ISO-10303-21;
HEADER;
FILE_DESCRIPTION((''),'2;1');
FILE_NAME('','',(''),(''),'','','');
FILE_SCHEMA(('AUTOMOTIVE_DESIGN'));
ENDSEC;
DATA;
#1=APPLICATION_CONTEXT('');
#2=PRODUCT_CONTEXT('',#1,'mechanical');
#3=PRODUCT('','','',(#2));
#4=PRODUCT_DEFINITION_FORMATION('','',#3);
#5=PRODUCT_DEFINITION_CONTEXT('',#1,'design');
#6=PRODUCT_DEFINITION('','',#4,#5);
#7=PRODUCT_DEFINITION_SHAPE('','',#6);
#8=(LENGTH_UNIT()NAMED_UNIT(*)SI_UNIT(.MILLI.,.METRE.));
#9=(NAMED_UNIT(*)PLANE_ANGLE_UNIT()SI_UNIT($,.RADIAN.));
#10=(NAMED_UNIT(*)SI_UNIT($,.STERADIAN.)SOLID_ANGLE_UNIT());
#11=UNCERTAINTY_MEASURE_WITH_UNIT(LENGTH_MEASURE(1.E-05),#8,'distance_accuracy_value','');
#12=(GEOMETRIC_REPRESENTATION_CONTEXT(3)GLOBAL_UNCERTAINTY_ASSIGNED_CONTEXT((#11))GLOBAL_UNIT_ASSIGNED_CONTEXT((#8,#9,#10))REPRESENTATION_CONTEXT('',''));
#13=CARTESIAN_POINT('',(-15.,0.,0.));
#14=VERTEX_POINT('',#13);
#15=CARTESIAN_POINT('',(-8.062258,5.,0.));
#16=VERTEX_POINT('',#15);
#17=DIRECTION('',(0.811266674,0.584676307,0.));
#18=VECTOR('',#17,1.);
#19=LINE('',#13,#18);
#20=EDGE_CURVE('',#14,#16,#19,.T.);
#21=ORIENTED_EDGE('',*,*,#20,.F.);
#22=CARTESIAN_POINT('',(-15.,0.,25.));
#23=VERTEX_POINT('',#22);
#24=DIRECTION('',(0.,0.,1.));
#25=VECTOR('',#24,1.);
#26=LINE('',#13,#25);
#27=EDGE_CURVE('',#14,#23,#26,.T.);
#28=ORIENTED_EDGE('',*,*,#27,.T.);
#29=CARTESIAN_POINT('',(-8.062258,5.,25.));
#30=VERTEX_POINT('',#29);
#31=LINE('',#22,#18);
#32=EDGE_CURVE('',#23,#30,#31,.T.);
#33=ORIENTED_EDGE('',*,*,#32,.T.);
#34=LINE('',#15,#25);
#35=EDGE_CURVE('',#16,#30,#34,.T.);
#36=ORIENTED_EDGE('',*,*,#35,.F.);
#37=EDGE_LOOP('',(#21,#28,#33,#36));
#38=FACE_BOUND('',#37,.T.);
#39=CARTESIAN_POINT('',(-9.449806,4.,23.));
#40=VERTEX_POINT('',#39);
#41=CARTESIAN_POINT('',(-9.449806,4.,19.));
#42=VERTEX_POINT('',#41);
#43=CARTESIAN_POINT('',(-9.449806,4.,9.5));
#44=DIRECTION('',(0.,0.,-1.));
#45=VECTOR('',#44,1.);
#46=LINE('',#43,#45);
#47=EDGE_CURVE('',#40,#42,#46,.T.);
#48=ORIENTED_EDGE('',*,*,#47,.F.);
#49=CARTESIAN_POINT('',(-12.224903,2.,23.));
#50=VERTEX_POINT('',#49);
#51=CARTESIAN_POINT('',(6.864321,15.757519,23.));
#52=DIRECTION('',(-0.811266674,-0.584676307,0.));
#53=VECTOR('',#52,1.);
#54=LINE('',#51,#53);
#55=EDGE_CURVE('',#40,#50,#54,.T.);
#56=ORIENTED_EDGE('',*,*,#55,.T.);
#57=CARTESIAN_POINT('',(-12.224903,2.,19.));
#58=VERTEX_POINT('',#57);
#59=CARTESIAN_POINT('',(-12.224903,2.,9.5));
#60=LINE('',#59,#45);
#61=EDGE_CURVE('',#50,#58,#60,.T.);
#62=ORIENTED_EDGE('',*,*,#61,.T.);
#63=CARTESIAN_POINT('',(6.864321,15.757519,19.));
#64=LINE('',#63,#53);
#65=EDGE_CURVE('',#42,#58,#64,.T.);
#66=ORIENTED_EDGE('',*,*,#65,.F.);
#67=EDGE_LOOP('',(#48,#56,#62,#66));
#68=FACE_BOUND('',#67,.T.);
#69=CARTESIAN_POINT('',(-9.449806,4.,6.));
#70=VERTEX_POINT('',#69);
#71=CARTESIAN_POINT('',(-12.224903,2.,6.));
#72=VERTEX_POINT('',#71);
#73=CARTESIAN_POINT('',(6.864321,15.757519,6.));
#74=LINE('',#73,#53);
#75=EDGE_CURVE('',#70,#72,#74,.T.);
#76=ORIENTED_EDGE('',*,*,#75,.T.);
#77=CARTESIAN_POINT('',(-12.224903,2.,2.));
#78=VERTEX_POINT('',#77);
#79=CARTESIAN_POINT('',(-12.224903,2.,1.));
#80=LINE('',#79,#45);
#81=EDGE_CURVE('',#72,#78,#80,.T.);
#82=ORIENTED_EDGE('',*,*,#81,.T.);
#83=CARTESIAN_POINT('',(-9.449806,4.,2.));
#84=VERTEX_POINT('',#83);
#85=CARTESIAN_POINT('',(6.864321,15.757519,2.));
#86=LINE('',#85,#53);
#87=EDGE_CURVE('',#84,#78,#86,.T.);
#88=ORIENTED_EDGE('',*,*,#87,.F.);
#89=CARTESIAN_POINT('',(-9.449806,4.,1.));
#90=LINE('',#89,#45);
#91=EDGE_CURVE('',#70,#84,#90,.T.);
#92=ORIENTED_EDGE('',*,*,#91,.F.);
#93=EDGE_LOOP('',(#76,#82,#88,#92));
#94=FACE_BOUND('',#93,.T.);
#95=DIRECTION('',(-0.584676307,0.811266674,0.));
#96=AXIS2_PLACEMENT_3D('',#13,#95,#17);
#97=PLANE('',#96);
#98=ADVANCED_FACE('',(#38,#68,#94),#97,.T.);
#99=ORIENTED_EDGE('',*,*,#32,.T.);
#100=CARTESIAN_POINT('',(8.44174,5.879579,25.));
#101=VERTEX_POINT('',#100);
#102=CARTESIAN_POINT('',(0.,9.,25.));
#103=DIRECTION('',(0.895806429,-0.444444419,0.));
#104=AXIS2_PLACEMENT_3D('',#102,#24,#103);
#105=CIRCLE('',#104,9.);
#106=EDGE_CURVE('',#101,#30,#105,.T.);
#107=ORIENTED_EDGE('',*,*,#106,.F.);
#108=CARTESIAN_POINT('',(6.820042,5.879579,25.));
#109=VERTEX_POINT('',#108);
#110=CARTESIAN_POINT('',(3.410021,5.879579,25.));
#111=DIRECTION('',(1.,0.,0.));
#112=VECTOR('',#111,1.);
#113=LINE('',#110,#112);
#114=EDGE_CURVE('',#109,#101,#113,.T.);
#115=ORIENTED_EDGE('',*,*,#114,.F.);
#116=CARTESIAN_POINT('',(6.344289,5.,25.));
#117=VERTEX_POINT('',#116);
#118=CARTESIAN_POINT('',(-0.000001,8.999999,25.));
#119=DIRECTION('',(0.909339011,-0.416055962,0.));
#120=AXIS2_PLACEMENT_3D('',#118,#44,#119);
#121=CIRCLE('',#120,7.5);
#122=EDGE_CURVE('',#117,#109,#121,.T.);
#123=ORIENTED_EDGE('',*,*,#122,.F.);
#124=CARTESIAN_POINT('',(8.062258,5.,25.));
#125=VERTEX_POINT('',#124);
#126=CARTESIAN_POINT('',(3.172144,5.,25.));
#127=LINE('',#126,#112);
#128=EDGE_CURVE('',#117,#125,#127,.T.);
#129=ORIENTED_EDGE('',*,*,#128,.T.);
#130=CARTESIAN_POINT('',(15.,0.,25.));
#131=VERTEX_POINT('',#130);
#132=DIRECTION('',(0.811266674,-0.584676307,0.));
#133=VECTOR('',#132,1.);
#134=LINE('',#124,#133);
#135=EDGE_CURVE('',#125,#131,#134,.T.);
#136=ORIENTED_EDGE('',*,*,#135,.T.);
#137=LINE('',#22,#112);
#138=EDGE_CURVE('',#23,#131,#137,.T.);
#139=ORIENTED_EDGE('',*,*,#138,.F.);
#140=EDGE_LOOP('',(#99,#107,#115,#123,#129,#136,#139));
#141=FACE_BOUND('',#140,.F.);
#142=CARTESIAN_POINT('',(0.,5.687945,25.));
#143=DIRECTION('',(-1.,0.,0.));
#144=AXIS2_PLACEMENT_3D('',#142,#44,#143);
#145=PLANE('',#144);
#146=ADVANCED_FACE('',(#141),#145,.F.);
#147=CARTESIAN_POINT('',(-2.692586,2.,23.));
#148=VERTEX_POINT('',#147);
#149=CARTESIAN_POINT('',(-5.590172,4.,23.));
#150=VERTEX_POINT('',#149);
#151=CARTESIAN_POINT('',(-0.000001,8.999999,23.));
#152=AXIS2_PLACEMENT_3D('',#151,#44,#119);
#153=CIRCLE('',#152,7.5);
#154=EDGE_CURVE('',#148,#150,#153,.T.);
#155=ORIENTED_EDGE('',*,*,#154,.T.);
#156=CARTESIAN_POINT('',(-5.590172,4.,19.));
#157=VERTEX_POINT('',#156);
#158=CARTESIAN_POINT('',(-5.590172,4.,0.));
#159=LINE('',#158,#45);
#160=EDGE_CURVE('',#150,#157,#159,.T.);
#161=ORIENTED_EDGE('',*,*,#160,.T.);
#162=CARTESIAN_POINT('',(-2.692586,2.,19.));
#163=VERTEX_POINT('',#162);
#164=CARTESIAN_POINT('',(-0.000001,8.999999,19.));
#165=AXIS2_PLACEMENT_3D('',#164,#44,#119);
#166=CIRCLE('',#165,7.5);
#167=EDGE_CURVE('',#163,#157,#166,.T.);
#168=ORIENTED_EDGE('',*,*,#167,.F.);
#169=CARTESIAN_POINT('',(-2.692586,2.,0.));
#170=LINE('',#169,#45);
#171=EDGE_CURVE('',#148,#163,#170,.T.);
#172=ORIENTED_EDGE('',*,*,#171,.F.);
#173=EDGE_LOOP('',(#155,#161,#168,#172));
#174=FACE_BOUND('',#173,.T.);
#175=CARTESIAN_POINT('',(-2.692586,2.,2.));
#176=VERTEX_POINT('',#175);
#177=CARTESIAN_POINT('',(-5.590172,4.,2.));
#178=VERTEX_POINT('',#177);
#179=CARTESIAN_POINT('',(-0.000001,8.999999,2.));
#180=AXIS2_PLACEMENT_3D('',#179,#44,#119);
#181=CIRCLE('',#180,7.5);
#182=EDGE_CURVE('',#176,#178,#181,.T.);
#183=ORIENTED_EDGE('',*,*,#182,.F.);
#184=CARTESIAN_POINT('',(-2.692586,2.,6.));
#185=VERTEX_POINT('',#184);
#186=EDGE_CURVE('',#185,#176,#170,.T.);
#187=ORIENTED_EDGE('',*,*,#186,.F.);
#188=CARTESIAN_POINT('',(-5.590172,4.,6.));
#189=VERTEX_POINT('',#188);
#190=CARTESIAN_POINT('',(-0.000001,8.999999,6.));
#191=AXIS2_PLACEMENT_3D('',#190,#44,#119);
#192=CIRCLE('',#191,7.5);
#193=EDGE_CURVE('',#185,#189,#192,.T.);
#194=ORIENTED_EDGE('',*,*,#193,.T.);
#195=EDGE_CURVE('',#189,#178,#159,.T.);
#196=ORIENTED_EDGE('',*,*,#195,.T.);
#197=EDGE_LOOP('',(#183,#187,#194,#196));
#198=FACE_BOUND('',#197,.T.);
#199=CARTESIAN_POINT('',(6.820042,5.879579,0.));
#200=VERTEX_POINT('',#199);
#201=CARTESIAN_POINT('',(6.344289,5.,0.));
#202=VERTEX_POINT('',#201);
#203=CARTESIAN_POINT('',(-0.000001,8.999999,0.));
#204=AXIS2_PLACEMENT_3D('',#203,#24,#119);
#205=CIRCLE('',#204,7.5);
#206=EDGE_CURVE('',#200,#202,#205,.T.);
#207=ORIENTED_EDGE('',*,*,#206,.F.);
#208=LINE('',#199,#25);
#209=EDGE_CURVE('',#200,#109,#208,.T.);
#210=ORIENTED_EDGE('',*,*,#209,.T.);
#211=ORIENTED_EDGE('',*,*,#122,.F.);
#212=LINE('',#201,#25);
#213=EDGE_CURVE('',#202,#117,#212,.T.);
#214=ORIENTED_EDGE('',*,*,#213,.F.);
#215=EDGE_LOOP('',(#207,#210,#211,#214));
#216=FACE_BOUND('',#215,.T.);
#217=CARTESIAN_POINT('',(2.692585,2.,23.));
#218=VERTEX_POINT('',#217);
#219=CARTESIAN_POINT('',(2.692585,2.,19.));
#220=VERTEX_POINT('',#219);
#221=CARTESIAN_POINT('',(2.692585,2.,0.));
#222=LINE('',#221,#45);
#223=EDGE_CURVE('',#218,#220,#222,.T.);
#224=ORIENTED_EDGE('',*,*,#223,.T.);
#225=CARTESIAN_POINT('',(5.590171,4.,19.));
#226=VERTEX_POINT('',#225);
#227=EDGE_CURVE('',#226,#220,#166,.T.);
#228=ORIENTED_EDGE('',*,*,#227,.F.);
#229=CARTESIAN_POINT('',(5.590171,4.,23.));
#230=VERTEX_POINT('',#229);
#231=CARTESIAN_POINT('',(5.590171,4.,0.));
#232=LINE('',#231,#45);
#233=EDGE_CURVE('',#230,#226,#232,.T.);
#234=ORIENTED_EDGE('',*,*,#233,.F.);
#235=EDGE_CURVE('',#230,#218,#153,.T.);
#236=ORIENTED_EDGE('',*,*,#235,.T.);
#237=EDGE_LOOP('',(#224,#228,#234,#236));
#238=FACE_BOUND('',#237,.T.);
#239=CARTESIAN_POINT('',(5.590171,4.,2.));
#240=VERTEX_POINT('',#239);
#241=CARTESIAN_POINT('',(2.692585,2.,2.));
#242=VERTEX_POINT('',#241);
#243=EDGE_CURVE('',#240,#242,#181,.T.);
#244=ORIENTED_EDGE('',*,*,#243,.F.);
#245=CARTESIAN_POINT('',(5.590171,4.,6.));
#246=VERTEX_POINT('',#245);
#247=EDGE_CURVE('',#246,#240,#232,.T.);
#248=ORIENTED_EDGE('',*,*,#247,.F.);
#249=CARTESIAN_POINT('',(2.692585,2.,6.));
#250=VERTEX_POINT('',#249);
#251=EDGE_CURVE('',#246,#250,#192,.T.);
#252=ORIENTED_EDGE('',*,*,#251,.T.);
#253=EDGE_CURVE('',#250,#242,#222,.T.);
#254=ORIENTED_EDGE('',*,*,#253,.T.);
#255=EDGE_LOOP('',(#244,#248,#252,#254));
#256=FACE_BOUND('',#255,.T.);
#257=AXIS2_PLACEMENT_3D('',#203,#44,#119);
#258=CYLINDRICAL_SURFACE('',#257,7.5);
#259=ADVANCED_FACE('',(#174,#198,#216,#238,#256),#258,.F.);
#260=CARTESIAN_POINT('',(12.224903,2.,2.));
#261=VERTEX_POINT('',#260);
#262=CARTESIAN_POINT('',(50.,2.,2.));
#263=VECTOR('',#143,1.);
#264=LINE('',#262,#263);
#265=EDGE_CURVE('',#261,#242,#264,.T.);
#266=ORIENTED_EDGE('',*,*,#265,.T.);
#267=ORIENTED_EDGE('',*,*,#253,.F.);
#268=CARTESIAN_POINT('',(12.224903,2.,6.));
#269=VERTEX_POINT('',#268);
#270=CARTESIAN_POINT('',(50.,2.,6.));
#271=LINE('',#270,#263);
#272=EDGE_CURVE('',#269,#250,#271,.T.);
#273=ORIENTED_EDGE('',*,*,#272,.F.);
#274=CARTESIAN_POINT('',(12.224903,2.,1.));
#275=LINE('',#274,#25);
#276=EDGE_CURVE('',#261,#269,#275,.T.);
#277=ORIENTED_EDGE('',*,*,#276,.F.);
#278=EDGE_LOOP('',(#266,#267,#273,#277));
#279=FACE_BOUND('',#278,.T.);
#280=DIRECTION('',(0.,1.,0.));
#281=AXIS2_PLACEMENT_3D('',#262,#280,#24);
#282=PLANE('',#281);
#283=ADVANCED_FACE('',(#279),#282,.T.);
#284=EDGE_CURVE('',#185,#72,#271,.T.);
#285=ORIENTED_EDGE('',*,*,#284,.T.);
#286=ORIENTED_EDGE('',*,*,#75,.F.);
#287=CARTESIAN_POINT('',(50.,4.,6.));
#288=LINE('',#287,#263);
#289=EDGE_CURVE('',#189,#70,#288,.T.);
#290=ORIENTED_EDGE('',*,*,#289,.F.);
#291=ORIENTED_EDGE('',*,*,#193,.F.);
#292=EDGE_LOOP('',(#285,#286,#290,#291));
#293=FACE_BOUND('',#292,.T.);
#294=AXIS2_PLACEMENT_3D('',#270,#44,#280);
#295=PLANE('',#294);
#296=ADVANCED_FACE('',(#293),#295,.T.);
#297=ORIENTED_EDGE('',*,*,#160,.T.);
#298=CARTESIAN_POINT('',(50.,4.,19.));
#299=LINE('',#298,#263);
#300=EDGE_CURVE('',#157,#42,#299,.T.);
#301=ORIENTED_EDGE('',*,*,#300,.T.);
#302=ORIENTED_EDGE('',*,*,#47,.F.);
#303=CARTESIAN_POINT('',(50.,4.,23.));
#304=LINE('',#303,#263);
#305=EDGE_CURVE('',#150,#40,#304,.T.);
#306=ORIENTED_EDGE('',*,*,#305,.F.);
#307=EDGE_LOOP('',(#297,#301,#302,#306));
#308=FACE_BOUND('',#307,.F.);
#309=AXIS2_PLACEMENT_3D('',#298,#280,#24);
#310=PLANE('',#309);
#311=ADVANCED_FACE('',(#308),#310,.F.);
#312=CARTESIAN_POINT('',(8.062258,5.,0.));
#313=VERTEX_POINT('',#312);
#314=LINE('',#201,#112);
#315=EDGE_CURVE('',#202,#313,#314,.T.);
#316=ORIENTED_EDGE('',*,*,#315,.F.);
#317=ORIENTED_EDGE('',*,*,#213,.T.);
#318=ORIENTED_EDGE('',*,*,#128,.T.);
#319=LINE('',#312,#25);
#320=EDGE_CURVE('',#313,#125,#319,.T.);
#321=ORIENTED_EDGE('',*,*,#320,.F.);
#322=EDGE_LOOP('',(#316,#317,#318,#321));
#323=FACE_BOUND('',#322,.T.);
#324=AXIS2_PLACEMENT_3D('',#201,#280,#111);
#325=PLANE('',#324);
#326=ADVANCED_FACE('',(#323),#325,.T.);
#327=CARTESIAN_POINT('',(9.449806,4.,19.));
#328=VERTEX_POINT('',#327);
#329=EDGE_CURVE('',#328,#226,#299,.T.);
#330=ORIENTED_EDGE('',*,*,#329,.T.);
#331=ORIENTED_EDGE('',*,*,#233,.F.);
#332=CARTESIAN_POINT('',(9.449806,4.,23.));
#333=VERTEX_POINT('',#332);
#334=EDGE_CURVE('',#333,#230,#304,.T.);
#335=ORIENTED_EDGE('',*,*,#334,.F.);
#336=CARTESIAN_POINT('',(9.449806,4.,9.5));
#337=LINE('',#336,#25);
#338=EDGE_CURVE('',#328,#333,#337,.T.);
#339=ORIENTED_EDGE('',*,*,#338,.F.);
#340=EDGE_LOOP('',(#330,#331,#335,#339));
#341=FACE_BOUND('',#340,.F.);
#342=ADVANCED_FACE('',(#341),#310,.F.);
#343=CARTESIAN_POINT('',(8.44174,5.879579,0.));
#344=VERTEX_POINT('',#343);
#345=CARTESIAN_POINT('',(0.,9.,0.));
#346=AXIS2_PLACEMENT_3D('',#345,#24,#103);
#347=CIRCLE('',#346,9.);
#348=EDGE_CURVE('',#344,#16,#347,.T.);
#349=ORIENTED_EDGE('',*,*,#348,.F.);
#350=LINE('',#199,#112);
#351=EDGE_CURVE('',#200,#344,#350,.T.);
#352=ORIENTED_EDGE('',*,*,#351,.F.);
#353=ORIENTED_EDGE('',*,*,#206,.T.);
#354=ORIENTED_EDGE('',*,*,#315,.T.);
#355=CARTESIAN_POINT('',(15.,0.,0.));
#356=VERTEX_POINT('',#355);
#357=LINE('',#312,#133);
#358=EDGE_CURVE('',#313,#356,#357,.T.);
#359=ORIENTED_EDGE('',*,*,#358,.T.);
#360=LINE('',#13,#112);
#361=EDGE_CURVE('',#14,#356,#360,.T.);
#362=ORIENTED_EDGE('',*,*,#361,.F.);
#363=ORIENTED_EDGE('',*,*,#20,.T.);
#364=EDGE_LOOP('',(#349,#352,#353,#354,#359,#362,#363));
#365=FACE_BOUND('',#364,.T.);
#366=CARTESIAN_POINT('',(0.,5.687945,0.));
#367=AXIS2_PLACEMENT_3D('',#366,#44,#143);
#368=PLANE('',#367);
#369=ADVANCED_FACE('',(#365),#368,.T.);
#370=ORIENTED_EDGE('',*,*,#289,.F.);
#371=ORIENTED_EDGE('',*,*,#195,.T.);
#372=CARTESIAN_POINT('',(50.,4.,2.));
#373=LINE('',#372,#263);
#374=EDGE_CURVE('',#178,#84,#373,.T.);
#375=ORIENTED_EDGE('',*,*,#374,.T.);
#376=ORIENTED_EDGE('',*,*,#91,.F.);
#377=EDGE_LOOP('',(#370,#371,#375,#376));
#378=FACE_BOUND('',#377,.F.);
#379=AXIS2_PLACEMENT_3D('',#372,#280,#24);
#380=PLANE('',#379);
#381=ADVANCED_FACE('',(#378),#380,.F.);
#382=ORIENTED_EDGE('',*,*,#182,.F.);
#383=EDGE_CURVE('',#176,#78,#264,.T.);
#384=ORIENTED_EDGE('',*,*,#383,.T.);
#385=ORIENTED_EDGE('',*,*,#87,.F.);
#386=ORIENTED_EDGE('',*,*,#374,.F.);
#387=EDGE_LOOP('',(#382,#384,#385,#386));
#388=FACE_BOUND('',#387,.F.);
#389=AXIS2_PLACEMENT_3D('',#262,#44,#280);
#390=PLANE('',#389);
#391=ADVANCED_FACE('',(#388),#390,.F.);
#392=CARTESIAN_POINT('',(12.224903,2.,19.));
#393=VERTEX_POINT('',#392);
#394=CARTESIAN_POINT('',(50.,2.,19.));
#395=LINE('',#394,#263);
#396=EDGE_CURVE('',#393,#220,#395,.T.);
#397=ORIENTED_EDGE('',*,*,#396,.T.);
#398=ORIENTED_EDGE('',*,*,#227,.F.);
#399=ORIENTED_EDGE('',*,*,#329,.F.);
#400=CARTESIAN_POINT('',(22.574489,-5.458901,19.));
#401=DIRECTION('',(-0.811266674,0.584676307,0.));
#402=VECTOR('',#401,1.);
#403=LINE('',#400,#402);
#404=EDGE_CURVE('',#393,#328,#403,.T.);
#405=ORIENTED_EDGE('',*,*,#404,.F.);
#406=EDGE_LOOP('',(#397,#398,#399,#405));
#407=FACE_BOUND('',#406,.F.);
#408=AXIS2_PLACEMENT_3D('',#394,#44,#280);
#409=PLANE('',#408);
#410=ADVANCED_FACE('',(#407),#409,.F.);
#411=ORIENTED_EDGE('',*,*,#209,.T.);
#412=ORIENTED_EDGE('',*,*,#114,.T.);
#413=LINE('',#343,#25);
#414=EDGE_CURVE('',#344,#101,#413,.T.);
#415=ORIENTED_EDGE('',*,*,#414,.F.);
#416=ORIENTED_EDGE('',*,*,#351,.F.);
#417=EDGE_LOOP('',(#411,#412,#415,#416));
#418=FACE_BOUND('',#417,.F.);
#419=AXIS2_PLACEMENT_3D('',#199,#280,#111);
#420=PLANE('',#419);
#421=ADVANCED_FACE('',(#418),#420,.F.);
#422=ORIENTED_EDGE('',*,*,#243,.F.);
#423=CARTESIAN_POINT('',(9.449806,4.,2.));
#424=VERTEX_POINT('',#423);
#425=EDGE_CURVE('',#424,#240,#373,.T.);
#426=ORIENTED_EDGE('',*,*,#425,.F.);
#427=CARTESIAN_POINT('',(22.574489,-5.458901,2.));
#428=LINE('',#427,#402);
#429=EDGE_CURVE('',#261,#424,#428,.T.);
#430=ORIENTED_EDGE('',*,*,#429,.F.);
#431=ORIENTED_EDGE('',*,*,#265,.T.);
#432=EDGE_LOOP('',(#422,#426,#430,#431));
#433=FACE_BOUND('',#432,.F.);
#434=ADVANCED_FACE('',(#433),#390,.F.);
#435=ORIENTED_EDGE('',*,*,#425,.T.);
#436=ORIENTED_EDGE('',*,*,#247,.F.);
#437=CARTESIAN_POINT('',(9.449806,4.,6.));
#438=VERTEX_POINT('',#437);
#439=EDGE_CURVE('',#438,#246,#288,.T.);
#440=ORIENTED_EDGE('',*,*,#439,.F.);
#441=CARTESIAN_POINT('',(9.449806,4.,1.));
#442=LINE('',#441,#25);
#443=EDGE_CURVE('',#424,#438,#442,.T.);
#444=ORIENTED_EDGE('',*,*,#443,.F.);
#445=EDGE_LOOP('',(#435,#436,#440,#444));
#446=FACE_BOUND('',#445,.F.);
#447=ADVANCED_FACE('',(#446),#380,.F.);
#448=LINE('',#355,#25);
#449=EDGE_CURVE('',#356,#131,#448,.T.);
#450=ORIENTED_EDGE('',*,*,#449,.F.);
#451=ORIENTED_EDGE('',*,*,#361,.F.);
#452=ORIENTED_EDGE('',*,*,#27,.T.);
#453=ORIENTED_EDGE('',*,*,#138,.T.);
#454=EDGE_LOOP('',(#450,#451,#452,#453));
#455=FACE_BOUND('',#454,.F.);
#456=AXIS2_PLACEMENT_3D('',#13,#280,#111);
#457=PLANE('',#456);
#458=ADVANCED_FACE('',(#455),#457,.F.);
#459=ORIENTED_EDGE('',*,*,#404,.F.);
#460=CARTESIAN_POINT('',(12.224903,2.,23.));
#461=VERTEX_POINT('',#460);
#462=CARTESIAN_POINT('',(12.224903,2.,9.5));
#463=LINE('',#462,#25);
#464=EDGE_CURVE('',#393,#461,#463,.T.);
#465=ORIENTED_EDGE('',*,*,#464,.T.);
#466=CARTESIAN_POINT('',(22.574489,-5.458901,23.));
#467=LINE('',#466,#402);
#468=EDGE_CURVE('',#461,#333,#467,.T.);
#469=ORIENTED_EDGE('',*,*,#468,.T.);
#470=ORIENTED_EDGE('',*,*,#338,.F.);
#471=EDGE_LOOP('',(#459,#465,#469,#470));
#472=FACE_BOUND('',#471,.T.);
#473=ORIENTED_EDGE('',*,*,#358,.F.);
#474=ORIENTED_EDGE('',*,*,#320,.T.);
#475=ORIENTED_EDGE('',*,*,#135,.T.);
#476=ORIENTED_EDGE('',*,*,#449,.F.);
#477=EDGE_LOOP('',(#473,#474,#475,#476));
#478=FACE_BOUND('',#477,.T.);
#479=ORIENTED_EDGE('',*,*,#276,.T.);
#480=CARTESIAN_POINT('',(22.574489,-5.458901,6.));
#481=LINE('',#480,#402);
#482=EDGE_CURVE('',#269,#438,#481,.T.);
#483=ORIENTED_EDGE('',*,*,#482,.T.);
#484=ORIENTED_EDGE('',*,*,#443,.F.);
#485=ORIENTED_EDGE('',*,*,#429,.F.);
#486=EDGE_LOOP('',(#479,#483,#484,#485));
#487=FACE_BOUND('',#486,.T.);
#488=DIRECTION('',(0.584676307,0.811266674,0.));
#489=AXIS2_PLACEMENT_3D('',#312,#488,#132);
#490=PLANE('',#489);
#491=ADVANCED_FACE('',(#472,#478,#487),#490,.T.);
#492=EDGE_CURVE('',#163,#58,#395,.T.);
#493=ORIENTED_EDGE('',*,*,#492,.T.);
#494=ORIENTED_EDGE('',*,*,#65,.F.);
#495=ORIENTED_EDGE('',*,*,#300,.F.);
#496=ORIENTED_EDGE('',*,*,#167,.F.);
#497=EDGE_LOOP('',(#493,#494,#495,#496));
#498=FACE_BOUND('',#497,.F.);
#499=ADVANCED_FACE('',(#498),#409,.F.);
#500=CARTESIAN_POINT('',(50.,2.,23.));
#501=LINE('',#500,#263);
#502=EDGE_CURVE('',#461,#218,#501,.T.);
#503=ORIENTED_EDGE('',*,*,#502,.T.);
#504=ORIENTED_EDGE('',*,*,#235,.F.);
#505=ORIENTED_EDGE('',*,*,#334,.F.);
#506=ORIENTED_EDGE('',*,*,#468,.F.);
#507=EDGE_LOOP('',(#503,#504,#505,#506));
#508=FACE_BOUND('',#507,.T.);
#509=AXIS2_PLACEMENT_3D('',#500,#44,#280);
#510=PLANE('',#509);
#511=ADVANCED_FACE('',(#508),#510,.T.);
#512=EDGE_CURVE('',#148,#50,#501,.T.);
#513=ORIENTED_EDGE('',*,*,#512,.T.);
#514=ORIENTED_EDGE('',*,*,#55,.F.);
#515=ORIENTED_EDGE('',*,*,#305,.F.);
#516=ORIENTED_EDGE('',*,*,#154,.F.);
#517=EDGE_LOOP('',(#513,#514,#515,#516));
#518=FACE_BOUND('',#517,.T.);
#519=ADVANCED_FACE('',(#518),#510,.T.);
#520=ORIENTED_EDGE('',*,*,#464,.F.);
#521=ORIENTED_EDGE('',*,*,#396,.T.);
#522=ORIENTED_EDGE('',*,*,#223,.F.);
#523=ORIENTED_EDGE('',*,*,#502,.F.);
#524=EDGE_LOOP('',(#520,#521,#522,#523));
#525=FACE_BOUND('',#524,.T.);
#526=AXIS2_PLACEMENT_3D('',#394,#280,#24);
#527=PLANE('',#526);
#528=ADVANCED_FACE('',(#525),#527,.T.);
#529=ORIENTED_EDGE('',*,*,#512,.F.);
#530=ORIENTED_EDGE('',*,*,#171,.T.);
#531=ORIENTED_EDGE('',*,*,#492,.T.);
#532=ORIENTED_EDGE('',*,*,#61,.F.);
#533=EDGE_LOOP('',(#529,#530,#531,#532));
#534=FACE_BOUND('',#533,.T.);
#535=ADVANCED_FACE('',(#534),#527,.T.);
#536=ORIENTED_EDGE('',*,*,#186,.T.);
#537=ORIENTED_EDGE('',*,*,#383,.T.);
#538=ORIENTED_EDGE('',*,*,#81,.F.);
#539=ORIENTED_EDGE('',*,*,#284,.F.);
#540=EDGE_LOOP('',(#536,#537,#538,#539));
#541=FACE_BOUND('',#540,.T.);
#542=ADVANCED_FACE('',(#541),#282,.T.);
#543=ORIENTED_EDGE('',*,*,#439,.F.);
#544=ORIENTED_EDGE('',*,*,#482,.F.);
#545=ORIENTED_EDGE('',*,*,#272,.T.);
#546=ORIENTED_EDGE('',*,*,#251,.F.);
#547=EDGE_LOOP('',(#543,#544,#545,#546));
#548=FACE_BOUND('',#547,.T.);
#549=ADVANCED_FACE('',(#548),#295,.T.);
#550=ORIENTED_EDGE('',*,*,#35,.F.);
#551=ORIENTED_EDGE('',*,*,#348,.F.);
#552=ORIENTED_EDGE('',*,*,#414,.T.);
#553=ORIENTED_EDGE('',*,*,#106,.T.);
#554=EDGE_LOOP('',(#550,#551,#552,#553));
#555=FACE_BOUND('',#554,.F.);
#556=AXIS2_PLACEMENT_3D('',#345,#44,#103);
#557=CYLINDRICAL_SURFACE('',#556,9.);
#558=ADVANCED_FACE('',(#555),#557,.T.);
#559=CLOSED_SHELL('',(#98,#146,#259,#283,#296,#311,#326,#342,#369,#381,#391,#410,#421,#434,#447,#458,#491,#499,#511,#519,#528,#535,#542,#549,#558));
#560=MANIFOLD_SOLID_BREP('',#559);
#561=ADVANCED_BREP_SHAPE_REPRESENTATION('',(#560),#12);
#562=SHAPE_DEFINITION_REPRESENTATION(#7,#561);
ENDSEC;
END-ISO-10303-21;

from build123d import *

# Parameters (mm, degrees)
PAD_DEPTH       = 25
POCKET_DEPTH    = 25.001
SKETCH002_W     = 2
SKETCH002_H     = 4
POCKET001_DEPTH = 65.001


with BuildPart() as part:
    # Sketch → Pad (new body)
    with BuildSketch(Plane.XY):
        with BuildLine():
            Line((-15, 0), (-8.062258, 5))
            ThreePointArc((8.062258, 5), (0, 18), (-8.062258, 5))
            Line((8.062258, 5), (15, 0))
            Line((-15, 0), (15, 0))
        make_face()
    extrude(amount=PAD_DEPTH)

    # Sketch001 → Pocket (cut, through all)
    with BuildSketch(Plane.XY):
        with BuildLine():
            ThreePointArc((6.820042, 5.879579), (-6.596841, 12.568149), (6.344289, 5))
            Line((6.344289, 5), (8.062258, 5))
            ThreePointArc((8.062258, 5), (8.26371, 5.434737), (8.44174, 5.879579))
            Line((6.820042, 5.879579), (8.44174, 5.879579))
        make_face()
    extrude(amount=POCKET_DEPTH, mode=Mode.SUBTRACT)

    # Sketch002 → Pocket001 (cut, through all)
    with BuildSketch(Plane.YZ.offset(50)):
        with Locations((3, 21)):
            Rectangle(SKETCH002_W, SKETCH002_H)
        with Locations((3, 4)):
            Rectangle(SKETCH002_W, SKETCH002_H)
    extrude(amount=-POCKET001_DEPTH, mode=Mode.SUBTRACT)


solid = part.part
